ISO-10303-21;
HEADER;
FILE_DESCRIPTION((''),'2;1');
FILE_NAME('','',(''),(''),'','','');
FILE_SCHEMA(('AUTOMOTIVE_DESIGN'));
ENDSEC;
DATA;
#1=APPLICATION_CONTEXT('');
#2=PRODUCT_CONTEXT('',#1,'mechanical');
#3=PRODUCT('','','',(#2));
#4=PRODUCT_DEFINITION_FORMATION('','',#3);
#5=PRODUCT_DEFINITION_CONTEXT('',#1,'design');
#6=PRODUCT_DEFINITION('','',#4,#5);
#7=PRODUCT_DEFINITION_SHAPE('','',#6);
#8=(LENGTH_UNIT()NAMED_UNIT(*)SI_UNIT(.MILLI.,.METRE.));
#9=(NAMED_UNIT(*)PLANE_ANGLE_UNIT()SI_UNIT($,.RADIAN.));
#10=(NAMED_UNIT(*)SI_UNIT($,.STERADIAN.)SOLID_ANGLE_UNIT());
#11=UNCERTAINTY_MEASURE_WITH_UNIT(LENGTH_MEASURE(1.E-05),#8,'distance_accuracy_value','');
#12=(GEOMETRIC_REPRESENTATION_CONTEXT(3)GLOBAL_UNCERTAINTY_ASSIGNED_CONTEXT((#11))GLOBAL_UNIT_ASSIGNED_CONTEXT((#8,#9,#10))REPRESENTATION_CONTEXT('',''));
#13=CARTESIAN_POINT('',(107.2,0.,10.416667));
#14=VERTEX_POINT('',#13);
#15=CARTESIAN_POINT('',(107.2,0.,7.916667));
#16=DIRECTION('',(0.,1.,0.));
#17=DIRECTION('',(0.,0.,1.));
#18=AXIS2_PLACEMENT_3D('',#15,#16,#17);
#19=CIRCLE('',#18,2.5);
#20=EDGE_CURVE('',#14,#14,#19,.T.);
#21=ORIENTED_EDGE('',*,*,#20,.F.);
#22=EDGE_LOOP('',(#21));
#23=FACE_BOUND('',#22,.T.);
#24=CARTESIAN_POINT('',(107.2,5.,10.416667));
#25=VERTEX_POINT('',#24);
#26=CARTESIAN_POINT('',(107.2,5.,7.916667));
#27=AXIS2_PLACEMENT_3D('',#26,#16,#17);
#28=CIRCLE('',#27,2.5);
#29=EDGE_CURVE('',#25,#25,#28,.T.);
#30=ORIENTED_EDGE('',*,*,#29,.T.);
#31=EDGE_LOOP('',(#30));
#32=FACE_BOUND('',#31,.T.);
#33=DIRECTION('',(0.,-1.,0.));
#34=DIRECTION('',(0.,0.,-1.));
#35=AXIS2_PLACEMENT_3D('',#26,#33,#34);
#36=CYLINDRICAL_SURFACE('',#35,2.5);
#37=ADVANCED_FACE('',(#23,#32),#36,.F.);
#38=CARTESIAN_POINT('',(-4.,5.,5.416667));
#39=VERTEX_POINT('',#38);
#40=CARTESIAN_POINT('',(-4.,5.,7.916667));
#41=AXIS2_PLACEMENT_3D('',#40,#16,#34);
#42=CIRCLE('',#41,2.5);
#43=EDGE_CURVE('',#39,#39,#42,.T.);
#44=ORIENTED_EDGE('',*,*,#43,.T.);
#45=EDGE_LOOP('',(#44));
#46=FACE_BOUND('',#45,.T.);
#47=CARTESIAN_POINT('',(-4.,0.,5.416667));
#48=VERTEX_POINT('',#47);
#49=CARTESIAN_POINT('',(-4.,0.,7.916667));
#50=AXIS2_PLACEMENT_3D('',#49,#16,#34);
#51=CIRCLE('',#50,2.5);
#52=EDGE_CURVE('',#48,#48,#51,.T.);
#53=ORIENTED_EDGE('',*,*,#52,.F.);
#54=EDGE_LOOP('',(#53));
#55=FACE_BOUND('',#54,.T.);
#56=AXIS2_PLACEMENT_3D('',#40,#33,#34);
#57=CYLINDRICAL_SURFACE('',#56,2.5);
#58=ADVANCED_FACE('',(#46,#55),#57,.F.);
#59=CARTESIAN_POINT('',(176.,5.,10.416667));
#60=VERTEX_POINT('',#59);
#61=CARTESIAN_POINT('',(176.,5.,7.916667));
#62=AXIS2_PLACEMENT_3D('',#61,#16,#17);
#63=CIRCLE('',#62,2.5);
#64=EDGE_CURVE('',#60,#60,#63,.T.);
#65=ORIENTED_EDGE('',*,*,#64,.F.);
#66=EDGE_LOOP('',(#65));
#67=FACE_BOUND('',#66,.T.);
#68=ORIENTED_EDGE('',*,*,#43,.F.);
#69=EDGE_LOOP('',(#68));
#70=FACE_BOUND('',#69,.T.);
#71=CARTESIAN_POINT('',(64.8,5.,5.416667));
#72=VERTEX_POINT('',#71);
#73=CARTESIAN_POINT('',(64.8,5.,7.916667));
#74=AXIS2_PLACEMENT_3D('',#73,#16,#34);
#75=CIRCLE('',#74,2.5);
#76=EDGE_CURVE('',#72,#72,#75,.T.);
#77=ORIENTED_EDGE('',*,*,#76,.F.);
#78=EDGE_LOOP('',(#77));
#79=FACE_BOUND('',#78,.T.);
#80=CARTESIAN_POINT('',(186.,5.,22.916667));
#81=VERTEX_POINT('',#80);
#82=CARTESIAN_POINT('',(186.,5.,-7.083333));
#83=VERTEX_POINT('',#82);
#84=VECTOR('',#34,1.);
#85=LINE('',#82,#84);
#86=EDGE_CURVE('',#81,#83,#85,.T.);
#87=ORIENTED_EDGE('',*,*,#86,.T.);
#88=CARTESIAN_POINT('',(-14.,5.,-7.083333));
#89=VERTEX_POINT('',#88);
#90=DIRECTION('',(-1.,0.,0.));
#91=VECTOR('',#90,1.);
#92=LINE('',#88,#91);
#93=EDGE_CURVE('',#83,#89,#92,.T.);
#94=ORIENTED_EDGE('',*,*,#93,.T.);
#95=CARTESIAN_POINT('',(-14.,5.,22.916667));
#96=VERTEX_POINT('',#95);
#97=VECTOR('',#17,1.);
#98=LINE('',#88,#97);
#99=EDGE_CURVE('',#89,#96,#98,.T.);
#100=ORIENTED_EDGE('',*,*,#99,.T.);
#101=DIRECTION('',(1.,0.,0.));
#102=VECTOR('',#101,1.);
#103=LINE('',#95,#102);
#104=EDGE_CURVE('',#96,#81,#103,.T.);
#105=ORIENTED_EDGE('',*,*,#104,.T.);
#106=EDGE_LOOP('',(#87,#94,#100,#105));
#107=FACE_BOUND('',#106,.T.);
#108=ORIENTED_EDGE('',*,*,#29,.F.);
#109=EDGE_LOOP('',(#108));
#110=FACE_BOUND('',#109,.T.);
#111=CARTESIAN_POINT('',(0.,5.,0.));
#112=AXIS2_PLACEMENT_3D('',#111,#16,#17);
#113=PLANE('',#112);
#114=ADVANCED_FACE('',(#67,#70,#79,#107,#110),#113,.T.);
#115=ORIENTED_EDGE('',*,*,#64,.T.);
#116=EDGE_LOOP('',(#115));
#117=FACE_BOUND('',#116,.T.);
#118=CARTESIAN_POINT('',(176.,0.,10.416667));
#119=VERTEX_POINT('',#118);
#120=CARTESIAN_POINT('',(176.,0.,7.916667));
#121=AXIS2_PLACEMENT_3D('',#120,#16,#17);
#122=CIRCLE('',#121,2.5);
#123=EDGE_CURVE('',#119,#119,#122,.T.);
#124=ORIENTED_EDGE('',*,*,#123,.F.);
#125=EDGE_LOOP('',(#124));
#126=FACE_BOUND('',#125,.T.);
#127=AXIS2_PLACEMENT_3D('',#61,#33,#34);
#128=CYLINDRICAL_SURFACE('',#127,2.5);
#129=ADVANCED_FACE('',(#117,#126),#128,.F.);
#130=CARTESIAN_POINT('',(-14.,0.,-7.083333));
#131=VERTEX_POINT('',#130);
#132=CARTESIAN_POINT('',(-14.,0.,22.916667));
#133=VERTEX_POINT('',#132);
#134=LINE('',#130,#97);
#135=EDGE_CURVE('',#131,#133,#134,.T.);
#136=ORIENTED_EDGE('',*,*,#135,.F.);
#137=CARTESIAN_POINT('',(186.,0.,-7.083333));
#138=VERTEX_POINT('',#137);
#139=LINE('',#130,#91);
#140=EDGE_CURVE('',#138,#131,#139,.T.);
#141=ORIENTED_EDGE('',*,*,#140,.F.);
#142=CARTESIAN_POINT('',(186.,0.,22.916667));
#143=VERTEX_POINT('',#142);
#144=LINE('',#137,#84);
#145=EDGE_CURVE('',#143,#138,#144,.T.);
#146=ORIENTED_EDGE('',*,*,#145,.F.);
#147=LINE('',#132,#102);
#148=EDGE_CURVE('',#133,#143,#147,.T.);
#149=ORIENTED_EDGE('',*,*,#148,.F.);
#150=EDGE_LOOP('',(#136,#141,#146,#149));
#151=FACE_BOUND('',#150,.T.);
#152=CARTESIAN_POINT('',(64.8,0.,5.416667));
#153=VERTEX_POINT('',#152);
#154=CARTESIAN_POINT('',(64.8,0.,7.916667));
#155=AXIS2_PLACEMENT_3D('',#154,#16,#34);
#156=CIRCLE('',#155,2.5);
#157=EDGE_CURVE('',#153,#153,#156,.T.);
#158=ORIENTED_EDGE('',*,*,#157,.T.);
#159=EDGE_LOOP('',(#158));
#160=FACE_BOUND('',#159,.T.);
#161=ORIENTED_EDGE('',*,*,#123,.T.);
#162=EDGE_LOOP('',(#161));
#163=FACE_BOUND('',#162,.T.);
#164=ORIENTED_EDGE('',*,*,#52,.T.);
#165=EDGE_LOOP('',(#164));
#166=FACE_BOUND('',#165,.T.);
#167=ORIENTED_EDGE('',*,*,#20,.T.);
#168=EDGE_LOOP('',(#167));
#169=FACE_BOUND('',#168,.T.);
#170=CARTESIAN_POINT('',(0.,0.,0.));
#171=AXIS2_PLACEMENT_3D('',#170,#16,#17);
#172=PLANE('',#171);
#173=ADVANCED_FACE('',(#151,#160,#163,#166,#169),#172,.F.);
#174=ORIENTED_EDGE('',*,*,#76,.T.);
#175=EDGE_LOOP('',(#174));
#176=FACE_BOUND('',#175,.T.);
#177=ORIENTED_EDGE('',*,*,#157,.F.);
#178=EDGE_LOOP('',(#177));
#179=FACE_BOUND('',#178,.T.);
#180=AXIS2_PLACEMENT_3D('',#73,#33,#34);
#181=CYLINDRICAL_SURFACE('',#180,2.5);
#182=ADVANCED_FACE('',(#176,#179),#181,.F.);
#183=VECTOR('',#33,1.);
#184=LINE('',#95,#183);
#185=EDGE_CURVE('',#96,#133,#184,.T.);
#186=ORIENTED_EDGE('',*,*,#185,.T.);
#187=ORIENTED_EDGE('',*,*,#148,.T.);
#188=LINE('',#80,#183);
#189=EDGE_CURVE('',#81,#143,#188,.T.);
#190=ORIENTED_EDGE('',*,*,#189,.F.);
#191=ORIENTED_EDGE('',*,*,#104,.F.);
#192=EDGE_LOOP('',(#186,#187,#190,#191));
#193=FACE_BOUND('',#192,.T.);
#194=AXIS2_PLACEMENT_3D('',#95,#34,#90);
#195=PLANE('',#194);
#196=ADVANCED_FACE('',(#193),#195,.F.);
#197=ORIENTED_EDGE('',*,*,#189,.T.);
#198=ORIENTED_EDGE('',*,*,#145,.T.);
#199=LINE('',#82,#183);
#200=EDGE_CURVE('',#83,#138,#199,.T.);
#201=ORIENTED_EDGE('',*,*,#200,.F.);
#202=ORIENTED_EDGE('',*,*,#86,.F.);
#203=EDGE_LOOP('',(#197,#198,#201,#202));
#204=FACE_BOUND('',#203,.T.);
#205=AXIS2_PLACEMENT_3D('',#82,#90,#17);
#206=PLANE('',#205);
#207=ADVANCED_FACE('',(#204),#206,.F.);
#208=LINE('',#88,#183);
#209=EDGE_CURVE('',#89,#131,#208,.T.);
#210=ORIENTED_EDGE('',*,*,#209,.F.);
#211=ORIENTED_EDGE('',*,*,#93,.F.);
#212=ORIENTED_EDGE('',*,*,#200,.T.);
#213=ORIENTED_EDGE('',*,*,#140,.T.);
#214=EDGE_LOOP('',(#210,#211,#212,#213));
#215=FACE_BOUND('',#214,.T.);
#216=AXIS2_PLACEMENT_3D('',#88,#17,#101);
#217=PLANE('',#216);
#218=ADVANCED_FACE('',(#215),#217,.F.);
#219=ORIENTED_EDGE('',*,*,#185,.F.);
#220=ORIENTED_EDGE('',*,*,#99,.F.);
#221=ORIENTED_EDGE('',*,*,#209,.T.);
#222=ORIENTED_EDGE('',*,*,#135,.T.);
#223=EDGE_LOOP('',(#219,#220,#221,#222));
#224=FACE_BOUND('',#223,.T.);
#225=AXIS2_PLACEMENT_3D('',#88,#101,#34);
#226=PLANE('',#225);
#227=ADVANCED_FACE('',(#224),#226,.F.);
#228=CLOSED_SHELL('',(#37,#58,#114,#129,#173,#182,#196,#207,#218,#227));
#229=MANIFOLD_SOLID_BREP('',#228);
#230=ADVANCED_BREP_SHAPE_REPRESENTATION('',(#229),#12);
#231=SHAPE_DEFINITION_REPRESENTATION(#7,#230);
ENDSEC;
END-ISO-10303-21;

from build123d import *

# Parameters (mm, degrees)
SKETCH1_W           = 200
SKETCH1_H           = 30
SKETCH1_R           = 2.5
BOSS_EXTRUDE1_DEPTH = 5


with BuildPart() as part:
    # Sketch1 → Boss-Extrude1 (new body)
    with BuildSketch(Plane(origin=(0, 0, 0), x_dir=(1, 0, 0), z_dir=(0, 1, 0))):
        with Locations((86, -7.916666667)):
            Rectangle(SKETCH1_W, SKETCH1_H)
        with Locations(Location((176, -7.916666667, 0), (0, 0, 270))):
            Circle(SKETCH1_R, mode=Mode.SUBTRACT)
        with Locations(Location((-4, -7.916666667, 0), (0, 0, 90))):
            Circle(SKETCH1_R, mode=Mode.SUBTRACT)
        with Locations(Location((107.2, -7.916666667, 0), (0, 0, 270))):
            Circle(SKETCH1_R, mode=Mode.SUBTRACT)
        with Locations(Location((64.8, -7.916666667, 0), (0, 0, 90))):
            Circle(SKETCH1_R, mode=Mode.SUBTRACT)
    extrude(amount=BOSS_EXTRUDE1_DEPTH)


solid = part.part
